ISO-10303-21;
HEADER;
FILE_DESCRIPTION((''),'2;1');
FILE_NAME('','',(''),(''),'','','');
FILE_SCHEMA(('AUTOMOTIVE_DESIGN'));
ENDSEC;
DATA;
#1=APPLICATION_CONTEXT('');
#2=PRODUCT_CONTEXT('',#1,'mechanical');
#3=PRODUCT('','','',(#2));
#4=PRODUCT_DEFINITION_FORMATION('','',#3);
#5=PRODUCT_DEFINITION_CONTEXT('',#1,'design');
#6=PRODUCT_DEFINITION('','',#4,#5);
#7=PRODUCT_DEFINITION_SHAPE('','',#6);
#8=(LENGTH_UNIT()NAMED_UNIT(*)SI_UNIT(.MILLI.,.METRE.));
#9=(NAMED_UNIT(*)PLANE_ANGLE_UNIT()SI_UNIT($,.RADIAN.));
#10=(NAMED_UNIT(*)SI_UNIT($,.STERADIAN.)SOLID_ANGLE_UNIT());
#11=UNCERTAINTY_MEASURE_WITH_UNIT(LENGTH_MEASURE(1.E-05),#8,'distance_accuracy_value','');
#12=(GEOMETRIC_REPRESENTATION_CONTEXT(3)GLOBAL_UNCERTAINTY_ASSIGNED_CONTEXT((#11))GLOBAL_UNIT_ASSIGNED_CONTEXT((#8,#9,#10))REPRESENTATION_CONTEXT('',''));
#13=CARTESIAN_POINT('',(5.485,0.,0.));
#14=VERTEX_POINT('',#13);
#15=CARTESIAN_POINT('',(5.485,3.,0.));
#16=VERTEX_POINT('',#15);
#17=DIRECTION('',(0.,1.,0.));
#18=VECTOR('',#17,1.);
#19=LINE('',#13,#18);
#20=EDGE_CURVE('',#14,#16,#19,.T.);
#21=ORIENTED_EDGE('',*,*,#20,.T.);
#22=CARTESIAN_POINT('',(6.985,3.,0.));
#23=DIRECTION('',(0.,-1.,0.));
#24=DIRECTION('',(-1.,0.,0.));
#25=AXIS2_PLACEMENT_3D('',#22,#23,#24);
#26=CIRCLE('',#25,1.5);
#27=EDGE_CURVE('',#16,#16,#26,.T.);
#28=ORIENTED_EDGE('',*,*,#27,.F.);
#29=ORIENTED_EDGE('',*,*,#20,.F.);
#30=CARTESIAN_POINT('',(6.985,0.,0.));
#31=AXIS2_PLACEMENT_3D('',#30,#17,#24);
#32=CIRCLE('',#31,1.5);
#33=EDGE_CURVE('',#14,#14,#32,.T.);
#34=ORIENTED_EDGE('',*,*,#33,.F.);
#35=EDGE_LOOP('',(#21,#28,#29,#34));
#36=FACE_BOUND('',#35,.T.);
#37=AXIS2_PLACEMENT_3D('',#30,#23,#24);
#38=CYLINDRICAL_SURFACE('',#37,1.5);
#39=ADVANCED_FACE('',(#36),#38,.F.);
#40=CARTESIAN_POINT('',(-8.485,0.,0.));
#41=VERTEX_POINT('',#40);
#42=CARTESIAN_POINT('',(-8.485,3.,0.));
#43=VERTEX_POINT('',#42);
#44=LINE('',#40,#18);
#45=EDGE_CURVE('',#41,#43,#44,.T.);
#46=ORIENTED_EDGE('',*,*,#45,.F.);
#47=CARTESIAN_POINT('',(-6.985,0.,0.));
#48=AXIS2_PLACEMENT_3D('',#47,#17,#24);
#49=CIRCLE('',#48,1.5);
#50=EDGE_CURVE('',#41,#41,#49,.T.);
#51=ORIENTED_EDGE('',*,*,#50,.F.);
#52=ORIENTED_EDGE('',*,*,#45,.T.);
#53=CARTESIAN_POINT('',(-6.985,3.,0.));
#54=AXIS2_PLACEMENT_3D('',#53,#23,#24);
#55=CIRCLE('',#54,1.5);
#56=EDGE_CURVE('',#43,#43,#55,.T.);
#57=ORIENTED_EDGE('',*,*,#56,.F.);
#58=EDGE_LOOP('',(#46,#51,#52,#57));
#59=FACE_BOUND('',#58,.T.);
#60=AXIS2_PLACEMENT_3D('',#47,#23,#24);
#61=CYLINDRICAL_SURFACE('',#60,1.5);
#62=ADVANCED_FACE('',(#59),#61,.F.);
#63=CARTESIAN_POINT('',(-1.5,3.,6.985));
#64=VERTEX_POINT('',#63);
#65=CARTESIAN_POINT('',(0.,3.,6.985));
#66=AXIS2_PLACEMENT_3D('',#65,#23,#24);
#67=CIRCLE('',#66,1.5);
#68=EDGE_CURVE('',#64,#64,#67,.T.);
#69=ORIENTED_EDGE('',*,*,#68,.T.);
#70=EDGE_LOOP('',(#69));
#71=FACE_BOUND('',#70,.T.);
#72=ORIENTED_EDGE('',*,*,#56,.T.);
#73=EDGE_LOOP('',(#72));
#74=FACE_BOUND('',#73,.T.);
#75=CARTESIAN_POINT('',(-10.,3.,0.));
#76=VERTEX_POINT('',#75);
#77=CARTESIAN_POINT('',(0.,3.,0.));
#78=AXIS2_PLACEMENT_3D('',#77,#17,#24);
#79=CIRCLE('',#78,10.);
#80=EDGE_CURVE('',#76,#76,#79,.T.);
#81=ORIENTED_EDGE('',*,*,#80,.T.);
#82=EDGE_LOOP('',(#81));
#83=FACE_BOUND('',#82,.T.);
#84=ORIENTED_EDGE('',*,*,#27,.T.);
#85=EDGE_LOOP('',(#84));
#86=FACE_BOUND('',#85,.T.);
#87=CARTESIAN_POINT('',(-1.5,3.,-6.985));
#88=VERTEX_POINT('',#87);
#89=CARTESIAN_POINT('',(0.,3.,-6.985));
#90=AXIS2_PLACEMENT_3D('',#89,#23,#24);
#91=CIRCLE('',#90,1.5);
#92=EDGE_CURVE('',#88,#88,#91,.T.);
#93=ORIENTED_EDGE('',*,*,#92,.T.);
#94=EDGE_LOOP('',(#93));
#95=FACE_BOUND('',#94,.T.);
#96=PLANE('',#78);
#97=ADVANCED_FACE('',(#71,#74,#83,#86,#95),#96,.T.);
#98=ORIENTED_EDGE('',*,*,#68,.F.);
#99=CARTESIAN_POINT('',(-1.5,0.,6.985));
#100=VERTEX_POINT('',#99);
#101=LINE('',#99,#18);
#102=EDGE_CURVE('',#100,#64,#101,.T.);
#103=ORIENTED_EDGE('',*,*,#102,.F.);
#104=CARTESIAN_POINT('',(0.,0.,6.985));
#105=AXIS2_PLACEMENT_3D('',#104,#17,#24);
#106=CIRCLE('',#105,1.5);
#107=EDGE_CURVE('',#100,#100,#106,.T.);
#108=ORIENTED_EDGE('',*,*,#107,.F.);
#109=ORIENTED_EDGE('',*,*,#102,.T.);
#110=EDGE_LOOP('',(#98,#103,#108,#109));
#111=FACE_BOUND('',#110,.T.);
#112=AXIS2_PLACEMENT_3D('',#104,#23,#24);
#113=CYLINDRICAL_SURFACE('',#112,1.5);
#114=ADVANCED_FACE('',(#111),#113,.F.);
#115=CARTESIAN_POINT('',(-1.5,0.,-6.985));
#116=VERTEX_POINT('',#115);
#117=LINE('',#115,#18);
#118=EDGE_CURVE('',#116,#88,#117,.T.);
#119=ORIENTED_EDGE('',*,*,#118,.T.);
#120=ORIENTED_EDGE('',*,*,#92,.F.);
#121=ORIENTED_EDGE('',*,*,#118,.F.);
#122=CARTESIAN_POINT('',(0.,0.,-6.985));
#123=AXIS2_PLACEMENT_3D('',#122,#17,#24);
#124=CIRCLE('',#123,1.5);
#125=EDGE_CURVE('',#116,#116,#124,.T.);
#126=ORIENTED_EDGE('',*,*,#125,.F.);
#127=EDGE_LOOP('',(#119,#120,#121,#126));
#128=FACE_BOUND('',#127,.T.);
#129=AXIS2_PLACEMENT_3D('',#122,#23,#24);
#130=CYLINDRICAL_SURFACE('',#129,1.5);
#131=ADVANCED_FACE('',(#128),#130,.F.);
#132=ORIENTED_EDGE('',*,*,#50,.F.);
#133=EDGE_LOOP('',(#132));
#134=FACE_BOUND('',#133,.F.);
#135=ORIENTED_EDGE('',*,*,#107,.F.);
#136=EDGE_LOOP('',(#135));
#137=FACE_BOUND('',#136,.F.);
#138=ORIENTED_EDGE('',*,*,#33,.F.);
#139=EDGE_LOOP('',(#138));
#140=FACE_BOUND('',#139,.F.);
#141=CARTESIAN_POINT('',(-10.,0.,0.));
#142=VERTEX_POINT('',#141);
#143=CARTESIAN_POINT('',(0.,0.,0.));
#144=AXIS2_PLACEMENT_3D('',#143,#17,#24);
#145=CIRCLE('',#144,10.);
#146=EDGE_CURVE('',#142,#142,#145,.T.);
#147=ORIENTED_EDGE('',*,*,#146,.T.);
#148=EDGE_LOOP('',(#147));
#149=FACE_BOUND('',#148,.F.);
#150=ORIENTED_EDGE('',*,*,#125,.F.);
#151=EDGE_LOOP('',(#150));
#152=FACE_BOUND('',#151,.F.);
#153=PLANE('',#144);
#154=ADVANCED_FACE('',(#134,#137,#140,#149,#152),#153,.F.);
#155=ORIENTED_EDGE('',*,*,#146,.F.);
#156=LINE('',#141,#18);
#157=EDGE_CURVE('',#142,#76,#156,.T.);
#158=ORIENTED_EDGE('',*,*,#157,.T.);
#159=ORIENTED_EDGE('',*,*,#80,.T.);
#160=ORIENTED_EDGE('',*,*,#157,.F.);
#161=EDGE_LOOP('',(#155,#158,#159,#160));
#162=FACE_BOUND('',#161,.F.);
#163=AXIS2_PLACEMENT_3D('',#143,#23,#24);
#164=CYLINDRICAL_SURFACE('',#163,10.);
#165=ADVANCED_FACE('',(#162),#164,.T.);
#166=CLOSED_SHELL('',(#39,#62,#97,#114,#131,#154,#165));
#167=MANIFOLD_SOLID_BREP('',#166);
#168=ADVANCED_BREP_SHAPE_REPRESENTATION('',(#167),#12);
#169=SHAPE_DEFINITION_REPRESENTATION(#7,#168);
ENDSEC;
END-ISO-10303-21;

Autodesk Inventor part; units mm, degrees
ref_plane "YZ Plane" through (0, 0, 0) normal (1, 0, 0) x (0, 1, 0)
ref_plane "XZ Plane" through (0, 0, 0) normal (0, 1, 0) x (-1, 0, 0)
ref_plane "XY Plane" through (0, 0, 0) normal (0, 0, 1) x (1, 0, 0)
sketch "Sketch1" plane through (0, 0, 0) normal (0, 1, 0) x (-1, 0, 0)
  circle A0 centre (0, 0) radius 10
  circle A1 centre (0, 0) radius 6.985
  circle A2 centre (6.985, 0) radius 1.5
  circle A3 centre (0, 6.985) radius 1.5
  circle A4 centre (-6.985, 0) radius 1.5
  circle A5 centre (0, -6.985) radius 1.5
  dimension "d1" = 13.97
  dimension "d0" = 20
  dimension "d2" = 3
  dimension "d5" = 360
extrude "Extrusion1" add sketch "Sketch1" along normal blind 3 contours A0 | A2 A1 A5 A4 A3
properties part number "Twist_Servo_Horn"
